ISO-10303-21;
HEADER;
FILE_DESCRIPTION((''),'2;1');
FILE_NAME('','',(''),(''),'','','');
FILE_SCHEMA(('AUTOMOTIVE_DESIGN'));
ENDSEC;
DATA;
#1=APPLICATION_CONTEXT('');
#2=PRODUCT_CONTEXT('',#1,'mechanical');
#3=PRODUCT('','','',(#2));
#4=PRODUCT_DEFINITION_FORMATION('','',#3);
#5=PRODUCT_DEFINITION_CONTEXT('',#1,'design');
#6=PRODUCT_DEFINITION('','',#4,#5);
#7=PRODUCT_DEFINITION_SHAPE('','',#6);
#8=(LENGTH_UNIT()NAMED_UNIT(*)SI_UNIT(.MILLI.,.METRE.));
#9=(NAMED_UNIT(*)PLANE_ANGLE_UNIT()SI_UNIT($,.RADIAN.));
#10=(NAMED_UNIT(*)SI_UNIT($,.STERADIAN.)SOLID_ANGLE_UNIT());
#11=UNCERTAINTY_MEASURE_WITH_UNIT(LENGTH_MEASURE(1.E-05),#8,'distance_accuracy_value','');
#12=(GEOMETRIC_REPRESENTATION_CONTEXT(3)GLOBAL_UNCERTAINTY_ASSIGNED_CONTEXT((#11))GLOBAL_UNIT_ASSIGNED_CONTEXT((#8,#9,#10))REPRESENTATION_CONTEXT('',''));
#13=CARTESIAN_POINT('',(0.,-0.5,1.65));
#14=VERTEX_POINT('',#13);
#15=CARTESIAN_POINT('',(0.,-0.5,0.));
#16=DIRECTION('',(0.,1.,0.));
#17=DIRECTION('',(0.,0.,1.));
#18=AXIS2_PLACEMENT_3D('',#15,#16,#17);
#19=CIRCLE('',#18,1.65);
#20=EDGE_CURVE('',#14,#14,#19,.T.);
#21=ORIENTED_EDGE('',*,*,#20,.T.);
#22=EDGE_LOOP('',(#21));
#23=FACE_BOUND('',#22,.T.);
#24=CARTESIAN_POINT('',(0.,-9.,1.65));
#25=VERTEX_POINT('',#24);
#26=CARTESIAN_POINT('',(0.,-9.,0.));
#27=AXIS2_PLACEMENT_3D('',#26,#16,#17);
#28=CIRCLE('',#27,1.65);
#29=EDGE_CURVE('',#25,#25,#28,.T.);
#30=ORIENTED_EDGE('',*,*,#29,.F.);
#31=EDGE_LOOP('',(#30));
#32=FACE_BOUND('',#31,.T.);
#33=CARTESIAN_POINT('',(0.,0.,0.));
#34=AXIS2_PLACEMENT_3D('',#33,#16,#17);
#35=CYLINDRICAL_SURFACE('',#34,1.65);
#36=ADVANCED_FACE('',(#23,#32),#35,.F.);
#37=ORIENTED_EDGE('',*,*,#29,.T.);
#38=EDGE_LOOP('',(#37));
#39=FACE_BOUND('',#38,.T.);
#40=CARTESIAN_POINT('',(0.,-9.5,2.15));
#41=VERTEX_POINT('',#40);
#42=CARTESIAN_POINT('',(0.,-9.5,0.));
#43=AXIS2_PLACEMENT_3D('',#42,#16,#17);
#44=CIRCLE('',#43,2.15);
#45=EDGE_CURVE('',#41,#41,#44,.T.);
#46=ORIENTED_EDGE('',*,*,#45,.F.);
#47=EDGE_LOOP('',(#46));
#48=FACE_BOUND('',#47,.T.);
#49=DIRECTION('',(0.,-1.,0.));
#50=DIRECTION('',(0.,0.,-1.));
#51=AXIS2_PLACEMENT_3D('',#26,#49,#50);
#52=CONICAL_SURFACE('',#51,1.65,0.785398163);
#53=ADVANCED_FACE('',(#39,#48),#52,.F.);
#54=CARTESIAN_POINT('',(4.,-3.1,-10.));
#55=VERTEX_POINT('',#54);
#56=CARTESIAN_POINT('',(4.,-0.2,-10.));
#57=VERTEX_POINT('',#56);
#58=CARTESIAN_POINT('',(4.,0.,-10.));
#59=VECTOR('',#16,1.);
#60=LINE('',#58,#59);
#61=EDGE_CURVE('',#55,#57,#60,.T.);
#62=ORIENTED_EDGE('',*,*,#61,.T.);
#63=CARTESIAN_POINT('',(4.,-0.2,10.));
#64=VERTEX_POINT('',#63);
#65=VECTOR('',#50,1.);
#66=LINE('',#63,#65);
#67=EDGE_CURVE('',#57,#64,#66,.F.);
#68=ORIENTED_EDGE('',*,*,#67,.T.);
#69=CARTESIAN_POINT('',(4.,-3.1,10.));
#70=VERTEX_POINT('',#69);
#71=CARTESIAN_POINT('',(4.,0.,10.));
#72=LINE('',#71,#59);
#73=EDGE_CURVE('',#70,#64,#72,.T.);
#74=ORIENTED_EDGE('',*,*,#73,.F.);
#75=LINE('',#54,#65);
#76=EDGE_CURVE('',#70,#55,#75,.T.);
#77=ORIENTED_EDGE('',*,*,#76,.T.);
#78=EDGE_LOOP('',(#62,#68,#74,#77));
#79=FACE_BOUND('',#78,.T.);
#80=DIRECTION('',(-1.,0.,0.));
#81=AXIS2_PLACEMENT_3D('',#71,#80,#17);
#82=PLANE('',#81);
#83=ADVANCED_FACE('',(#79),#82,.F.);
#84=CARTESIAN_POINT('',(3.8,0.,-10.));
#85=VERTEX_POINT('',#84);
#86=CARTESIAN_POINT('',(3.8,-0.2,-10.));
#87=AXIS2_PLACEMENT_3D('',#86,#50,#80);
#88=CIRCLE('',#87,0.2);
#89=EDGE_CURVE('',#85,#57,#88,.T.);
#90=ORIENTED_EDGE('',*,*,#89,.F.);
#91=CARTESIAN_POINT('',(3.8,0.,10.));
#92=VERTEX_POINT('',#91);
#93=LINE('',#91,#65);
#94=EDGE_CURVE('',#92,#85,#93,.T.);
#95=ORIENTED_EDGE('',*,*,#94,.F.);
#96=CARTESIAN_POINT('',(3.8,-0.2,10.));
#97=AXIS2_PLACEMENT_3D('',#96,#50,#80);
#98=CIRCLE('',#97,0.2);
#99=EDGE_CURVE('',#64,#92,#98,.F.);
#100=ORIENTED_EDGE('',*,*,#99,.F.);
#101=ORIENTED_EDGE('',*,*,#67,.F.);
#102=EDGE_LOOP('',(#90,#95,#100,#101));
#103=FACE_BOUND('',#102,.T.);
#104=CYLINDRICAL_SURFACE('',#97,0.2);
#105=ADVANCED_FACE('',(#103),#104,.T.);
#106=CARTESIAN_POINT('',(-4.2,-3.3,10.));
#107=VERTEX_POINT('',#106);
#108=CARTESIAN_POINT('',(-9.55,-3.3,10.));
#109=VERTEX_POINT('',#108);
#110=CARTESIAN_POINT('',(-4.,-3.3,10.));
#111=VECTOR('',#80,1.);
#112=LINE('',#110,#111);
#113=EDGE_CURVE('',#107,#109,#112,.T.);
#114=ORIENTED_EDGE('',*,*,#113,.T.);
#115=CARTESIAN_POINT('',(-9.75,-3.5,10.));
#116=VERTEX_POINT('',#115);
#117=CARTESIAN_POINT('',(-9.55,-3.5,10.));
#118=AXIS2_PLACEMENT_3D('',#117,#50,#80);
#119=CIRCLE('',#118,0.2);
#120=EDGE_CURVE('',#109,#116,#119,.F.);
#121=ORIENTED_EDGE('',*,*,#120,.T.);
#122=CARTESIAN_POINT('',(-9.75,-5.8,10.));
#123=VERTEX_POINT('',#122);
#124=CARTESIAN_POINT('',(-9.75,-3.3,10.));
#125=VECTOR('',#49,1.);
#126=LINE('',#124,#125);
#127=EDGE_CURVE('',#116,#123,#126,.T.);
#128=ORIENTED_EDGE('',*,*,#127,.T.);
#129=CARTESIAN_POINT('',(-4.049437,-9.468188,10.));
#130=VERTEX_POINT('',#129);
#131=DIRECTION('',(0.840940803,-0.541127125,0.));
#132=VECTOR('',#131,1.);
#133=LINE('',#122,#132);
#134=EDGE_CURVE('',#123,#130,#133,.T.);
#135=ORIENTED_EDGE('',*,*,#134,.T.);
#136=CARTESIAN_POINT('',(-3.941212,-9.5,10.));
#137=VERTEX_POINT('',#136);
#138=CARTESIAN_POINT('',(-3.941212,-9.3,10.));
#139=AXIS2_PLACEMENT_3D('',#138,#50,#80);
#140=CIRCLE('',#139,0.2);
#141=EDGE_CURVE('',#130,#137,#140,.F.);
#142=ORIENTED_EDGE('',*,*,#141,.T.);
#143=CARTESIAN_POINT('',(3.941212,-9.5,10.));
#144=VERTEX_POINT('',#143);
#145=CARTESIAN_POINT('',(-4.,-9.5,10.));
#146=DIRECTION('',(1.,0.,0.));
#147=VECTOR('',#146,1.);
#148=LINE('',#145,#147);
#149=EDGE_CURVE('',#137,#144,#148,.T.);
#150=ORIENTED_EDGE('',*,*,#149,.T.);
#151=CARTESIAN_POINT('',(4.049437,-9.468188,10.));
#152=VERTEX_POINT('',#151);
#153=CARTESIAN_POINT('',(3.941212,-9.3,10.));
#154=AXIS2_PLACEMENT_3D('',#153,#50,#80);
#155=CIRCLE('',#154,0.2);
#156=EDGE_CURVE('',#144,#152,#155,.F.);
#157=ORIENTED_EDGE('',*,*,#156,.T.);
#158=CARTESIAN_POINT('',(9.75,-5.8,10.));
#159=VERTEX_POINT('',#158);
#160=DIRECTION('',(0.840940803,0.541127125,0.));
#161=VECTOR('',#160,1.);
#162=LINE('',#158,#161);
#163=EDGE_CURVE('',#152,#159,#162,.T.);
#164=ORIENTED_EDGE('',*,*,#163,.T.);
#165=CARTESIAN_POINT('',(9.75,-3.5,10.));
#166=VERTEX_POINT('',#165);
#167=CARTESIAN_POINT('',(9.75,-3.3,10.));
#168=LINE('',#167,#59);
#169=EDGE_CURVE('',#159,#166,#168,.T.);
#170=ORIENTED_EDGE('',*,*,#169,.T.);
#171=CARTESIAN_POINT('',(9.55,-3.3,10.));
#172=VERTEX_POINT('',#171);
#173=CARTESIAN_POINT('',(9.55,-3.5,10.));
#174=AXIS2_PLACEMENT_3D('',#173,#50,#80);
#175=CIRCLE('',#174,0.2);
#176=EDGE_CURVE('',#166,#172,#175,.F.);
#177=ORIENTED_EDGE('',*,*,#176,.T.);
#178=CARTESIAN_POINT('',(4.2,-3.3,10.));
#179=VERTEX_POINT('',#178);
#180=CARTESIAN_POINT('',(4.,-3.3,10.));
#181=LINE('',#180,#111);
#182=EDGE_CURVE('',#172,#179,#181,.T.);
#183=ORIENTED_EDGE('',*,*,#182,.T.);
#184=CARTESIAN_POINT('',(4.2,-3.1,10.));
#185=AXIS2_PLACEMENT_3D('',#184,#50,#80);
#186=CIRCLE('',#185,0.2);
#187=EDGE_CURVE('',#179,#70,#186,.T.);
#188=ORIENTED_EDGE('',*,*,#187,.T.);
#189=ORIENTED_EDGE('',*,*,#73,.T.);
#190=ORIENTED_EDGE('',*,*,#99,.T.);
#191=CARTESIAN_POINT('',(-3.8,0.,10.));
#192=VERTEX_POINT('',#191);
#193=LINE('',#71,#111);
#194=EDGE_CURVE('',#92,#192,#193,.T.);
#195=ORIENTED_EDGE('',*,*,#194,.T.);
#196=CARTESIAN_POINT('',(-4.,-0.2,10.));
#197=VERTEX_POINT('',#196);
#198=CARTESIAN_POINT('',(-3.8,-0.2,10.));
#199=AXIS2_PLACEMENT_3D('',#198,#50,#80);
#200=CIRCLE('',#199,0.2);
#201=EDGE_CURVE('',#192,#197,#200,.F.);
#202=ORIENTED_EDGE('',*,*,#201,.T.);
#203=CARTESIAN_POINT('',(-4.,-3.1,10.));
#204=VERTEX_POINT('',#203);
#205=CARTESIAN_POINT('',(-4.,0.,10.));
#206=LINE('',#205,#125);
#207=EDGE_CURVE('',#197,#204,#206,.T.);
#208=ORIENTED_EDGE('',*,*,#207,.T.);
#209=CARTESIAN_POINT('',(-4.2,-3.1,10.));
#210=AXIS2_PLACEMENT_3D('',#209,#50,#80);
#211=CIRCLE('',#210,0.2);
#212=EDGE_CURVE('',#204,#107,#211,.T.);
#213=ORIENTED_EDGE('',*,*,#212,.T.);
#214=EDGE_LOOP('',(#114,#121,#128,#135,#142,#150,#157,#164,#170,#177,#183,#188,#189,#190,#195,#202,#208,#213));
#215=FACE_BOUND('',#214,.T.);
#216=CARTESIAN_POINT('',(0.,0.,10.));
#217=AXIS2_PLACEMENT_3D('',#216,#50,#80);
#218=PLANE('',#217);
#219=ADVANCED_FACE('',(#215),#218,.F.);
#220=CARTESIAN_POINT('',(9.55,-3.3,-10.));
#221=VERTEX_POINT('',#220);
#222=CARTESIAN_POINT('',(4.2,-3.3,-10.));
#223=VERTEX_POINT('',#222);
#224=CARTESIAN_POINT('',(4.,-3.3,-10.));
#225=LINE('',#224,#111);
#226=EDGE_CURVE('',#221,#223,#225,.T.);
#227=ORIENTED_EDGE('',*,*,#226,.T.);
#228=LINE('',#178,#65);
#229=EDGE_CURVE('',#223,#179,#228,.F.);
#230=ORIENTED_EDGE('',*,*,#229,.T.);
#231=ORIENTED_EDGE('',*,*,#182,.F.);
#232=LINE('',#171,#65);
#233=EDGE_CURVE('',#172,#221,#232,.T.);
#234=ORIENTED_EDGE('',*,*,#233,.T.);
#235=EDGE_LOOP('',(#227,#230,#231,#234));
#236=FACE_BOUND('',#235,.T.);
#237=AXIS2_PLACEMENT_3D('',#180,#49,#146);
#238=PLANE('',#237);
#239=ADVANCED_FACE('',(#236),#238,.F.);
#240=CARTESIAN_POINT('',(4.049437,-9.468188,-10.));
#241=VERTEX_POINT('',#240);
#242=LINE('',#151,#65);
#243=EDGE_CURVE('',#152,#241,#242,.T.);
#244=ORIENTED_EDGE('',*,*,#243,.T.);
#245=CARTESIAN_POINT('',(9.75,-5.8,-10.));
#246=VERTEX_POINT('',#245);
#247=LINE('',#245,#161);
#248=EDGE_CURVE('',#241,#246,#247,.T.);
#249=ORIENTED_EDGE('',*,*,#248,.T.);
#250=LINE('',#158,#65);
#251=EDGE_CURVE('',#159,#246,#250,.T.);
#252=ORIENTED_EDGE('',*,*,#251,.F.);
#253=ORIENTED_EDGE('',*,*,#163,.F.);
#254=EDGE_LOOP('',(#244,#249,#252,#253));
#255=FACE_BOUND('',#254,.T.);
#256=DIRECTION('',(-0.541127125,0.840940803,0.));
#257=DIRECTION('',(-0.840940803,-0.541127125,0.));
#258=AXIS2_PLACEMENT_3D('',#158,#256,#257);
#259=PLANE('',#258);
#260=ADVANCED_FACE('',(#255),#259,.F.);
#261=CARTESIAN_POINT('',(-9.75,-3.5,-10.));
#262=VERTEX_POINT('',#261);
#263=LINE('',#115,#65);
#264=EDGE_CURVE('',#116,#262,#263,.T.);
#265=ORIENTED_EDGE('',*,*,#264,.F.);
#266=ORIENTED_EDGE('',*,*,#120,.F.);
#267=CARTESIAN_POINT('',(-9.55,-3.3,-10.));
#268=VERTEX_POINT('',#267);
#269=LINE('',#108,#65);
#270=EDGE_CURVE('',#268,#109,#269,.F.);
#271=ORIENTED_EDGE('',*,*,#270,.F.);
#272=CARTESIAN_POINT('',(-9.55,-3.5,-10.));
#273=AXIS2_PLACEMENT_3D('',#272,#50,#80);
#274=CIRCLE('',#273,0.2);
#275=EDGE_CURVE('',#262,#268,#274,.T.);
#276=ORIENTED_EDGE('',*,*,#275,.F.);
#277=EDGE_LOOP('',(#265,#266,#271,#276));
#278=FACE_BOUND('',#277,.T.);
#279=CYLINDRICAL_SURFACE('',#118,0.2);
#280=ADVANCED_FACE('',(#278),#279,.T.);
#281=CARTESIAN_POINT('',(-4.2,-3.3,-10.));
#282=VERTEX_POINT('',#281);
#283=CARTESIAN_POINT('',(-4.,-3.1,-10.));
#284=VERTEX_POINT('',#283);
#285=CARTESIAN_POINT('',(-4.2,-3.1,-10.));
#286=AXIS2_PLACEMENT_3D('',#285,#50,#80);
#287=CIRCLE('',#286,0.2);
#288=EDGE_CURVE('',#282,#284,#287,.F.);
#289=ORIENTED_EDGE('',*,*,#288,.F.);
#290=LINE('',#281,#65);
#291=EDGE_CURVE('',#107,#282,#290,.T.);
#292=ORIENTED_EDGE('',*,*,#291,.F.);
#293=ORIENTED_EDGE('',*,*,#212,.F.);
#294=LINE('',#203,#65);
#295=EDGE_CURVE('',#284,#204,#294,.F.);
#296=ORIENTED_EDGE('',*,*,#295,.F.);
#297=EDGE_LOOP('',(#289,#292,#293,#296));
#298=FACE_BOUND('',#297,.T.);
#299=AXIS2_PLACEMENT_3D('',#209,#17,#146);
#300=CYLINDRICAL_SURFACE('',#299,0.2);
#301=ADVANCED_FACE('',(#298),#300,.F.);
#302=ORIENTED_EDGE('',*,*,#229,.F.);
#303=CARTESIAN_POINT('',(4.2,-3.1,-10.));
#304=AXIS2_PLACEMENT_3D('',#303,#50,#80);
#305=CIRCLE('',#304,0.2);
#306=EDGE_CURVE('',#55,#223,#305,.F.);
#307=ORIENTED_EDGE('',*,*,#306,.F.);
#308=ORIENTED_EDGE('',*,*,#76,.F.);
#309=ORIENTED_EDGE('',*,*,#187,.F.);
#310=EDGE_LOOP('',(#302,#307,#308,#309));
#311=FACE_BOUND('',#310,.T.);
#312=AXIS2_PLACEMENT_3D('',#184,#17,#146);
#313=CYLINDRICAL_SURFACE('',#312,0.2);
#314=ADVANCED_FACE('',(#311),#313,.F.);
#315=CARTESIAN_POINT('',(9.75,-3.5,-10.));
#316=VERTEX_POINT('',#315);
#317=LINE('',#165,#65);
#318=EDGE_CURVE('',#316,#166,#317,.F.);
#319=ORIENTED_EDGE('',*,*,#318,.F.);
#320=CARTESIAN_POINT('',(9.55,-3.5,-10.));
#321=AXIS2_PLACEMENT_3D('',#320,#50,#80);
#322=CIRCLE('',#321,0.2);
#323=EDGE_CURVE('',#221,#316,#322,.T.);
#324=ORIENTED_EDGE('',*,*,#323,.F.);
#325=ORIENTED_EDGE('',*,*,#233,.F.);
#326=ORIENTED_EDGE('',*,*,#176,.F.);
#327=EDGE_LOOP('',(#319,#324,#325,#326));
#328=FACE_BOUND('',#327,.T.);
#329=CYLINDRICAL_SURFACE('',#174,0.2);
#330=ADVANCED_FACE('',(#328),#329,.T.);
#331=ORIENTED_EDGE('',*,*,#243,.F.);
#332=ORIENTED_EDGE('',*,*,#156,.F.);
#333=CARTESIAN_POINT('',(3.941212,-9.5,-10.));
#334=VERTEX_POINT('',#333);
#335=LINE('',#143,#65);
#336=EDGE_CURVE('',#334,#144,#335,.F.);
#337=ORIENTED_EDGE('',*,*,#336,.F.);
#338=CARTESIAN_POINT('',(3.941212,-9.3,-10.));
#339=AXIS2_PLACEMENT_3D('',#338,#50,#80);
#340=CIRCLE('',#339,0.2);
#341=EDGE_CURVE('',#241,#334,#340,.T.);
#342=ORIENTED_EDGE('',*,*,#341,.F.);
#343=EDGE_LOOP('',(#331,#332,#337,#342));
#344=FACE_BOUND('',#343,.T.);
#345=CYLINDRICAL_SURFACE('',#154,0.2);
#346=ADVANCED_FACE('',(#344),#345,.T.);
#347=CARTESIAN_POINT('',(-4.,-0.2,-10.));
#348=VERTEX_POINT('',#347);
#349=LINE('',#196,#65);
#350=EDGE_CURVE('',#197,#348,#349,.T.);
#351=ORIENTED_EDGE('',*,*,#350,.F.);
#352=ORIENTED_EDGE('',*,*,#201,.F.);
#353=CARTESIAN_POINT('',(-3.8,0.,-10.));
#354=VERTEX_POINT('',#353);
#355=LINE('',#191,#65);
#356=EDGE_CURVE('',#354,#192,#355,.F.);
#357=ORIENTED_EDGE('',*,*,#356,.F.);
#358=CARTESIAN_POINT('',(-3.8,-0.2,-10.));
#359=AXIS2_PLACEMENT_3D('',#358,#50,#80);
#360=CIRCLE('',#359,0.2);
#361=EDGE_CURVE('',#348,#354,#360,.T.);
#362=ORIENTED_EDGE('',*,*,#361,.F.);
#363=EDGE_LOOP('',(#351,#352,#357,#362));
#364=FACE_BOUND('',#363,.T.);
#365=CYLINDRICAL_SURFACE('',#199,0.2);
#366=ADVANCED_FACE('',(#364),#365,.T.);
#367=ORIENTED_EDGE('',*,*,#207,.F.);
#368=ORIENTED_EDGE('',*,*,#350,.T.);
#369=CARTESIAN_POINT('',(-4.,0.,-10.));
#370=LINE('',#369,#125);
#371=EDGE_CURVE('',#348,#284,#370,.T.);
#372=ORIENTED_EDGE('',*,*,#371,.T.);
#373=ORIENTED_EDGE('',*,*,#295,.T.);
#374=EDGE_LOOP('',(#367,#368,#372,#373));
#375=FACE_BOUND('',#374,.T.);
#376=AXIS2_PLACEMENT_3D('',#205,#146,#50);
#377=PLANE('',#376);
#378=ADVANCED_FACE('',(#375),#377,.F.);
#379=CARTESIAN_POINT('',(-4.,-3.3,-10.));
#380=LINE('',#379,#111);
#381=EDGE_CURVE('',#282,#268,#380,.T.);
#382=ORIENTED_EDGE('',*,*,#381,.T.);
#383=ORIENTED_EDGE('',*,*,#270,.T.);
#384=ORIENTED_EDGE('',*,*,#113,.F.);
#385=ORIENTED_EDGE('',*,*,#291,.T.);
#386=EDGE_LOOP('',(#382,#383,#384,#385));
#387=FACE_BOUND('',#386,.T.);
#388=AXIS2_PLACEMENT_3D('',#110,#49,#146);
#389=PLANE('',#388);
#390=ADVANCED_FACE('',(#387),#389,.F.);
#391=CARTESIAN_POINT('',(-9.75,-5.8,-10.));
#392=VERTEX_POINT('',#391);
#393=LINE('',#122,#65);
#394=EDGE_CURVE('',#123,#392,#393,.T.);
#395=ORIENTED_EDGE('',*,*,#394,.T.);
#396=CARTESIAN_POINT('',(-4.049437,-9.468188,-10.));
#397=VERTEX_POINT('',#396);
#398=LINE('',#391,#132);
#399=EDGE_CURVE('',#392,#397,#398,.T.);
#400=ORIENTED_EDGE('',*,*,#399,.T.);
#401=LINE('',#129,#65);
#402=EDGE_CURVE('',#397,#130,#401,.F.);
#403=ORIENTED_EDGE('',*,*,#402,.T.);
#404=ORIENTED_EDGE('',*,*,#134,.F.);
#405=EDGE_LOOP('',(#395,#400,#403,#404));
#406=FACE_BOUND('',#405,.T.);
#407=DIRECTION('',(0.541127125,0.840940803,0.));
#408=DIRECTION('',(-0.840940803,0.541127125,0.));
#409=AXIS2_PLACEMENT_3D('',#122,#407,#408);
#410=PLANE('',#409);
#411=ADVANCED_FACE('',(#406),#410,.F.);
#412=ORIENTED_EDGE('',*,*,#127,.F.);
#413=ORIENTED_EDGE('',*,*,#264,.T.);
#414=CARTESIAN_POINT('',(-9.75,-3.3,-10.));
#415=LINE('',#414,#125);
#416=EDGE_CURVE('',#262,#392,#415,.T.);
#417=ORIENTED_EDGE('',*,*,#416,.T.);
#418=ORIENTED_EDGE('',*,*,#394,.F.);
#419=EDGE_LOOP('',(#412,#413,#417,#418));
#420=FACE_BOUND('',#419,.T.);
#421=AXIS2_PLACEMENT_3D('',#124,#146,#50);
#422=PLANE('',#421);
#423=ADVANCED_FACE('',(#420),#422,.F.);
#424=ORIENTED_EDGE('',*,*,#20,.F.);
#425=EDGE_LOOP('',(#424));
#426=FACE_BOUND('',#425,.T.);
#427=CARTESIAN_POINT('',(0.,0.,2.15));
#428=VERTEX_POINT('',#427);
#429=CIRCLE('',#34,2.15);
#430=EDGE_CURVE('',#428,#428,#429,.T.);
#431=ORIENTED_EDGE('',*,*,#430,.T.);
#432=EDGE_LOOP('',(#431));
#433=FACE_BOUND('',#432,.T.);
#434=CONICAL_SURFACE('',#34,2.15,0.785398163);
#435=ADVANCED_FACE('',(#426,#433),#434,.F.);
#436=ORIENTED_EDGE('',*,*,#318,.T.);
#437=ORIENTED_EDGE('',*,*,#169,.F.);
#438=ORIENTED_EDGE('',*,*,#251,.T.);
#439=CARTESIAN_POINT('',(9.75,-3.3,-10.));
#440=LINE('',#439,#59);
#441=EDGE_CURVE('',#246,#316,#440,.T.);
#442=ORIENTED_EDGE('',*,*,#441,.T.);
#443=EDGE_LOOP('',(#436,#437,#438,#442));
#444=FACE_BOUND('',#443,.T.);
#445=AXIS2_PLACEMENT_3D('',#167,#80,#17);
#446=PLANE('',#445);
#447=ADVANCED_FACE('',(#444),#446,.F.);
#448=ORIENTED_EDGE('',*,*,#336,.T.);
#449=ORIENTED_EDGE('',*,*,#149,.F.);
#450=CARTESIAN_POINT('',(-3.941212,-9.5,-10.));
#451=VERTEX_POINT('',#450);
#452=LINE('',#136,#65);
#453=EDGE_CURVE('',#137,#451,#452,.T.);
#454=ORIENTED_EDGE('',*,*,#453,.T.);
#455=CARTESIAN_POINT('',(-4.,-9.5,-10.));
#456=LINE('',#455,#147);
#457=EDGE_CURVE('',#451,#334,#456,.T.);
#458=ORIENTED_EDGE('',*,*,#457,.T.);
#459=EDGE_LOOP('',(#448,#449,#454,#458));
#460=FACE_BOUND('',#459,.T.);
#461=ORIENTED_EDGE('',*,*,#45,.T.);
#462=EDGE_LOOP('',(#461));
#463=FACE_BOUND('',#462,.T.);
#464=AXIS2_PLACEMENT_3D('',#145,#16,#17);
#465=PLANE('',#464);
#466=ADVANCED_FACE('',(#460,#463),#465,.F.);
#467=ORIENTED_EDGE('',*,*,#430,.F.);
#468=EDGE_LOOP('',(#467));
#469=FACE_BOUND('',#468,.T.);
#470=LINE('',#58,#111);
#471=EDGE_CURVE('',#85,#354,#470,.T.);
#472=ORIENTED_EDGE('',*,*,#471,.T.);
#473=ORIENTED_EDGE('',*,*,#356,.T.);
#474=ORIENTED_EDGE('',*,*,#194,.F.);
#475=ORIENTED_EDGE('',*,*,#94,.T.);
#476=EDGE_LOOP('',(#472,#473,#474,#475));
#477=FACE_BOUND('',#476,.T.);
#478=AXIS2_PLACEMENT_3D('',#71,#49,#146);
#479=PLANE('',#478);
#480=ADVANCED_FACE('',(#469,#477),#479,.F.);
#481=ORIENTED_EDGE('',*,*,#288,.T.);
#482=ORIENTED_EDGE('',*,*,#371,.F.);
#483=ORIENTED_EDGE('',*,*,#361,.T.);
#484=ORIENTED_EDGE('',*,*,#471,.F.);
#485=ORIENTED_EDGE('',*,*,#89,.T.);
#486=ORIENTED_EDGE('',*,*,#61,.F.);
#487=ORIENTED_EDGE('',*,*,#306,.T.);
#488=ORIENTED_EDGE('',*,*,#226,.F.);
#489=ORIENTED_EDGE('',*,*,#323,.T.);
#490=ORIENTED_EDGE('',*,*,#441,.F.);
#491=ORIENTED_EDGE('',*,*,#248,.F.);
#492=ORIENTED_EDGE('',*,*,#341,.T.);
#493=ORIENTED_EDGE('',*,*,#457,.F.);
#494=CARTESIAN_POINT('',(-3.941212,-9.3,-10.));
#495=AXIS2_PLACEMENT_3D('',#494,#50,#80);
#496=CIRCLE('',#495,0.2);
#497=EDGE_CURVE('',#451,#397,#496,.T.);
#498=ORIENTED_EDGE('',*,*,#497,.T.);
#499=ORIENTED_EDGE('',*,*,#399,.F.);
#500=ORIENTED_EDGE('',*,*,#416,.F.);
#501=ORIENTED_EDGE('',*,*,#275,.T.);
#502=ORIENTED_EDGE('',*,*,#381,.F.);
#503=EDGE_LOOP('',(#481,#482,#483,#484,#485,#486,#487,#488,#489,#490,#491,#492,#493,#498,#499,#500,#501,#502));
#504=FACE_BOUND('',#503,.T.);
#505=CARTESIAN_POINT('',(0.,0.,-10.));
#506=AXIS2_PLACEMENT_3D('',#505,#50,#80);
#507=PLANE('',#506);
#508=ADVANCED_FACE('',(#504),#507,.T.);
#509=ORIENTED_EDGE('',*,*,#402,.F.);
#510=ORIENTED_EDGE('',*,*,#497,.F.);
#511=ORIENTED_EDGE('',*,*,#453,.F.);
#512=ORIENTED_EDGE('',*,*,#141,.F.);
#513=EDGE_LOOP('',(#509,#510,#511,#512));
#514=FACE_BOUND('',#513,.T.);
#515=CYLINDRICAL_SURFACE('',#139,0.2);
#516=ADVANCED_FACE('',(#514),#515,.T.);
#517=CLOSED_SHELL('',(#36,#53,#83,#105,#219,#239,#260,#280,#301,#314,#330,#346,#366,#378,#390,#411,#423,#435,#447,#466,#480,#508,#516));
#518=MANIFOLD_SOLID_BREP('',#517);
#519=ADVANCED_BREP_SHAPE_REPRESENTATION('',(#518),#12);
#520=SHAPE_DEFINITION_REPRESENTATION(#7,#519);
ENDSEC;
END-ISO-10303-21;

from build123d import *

# Parameters (mm, degrees)
EXTRUDE_1_DEPTH = 10
FILLET_1_R      = 0.2


with BuildPart() as part:
    # Эскиз1 → Бобышка-Вытянуть1 (new body, symmetric)
    with BuildSketch(Plane.XY):
        Polygon((4, 0), (-4, 0), (-4, -3.3), (-9.75, -3.3), (-9.75, -5.8), (-4, -9.5), (4, -9.5), (9.75, -5.8), (9.75, -3.3), (4, -3.3), align=None)
    extrude(amount=EXTRUDE_1_DEPTH, both=True)

    # Эскиз4 → Отверстие обработанное метчиком M43 (revolve, cut)
    with BuildSketch(Plane(origin=(0, 0, 0), x_dir=(0, 0, 1), z_dir=(1, 0, 0))):
        Polygon((0, 0), (0, 9.5), (2.15, 9.5), (1.65, 9), (1.65, 0.5), (2.15, 0), align=None)
    revolve(axis=Axis((0, 6.35, 0), (0, -1, 0)), mode=Mode.SUBTRACT)

    # Скругление1
    fillet_1_edges = [part.edges().sort_by_distance(p)[0] for p in [
        (-4, 0, 0),
        (4, 0, 0),
        (4, -3.3, 0),
        (9.75, -3.3, 0),
        (4, -9.5, 0),
        (-4, -9.5, 0),
        (-9.75, -3.3, 0),
        (-4, -3.3, 0),
    ]]
    fillet(fillet_1_edges, radius=FILLET_1_R)


solid = part.part
